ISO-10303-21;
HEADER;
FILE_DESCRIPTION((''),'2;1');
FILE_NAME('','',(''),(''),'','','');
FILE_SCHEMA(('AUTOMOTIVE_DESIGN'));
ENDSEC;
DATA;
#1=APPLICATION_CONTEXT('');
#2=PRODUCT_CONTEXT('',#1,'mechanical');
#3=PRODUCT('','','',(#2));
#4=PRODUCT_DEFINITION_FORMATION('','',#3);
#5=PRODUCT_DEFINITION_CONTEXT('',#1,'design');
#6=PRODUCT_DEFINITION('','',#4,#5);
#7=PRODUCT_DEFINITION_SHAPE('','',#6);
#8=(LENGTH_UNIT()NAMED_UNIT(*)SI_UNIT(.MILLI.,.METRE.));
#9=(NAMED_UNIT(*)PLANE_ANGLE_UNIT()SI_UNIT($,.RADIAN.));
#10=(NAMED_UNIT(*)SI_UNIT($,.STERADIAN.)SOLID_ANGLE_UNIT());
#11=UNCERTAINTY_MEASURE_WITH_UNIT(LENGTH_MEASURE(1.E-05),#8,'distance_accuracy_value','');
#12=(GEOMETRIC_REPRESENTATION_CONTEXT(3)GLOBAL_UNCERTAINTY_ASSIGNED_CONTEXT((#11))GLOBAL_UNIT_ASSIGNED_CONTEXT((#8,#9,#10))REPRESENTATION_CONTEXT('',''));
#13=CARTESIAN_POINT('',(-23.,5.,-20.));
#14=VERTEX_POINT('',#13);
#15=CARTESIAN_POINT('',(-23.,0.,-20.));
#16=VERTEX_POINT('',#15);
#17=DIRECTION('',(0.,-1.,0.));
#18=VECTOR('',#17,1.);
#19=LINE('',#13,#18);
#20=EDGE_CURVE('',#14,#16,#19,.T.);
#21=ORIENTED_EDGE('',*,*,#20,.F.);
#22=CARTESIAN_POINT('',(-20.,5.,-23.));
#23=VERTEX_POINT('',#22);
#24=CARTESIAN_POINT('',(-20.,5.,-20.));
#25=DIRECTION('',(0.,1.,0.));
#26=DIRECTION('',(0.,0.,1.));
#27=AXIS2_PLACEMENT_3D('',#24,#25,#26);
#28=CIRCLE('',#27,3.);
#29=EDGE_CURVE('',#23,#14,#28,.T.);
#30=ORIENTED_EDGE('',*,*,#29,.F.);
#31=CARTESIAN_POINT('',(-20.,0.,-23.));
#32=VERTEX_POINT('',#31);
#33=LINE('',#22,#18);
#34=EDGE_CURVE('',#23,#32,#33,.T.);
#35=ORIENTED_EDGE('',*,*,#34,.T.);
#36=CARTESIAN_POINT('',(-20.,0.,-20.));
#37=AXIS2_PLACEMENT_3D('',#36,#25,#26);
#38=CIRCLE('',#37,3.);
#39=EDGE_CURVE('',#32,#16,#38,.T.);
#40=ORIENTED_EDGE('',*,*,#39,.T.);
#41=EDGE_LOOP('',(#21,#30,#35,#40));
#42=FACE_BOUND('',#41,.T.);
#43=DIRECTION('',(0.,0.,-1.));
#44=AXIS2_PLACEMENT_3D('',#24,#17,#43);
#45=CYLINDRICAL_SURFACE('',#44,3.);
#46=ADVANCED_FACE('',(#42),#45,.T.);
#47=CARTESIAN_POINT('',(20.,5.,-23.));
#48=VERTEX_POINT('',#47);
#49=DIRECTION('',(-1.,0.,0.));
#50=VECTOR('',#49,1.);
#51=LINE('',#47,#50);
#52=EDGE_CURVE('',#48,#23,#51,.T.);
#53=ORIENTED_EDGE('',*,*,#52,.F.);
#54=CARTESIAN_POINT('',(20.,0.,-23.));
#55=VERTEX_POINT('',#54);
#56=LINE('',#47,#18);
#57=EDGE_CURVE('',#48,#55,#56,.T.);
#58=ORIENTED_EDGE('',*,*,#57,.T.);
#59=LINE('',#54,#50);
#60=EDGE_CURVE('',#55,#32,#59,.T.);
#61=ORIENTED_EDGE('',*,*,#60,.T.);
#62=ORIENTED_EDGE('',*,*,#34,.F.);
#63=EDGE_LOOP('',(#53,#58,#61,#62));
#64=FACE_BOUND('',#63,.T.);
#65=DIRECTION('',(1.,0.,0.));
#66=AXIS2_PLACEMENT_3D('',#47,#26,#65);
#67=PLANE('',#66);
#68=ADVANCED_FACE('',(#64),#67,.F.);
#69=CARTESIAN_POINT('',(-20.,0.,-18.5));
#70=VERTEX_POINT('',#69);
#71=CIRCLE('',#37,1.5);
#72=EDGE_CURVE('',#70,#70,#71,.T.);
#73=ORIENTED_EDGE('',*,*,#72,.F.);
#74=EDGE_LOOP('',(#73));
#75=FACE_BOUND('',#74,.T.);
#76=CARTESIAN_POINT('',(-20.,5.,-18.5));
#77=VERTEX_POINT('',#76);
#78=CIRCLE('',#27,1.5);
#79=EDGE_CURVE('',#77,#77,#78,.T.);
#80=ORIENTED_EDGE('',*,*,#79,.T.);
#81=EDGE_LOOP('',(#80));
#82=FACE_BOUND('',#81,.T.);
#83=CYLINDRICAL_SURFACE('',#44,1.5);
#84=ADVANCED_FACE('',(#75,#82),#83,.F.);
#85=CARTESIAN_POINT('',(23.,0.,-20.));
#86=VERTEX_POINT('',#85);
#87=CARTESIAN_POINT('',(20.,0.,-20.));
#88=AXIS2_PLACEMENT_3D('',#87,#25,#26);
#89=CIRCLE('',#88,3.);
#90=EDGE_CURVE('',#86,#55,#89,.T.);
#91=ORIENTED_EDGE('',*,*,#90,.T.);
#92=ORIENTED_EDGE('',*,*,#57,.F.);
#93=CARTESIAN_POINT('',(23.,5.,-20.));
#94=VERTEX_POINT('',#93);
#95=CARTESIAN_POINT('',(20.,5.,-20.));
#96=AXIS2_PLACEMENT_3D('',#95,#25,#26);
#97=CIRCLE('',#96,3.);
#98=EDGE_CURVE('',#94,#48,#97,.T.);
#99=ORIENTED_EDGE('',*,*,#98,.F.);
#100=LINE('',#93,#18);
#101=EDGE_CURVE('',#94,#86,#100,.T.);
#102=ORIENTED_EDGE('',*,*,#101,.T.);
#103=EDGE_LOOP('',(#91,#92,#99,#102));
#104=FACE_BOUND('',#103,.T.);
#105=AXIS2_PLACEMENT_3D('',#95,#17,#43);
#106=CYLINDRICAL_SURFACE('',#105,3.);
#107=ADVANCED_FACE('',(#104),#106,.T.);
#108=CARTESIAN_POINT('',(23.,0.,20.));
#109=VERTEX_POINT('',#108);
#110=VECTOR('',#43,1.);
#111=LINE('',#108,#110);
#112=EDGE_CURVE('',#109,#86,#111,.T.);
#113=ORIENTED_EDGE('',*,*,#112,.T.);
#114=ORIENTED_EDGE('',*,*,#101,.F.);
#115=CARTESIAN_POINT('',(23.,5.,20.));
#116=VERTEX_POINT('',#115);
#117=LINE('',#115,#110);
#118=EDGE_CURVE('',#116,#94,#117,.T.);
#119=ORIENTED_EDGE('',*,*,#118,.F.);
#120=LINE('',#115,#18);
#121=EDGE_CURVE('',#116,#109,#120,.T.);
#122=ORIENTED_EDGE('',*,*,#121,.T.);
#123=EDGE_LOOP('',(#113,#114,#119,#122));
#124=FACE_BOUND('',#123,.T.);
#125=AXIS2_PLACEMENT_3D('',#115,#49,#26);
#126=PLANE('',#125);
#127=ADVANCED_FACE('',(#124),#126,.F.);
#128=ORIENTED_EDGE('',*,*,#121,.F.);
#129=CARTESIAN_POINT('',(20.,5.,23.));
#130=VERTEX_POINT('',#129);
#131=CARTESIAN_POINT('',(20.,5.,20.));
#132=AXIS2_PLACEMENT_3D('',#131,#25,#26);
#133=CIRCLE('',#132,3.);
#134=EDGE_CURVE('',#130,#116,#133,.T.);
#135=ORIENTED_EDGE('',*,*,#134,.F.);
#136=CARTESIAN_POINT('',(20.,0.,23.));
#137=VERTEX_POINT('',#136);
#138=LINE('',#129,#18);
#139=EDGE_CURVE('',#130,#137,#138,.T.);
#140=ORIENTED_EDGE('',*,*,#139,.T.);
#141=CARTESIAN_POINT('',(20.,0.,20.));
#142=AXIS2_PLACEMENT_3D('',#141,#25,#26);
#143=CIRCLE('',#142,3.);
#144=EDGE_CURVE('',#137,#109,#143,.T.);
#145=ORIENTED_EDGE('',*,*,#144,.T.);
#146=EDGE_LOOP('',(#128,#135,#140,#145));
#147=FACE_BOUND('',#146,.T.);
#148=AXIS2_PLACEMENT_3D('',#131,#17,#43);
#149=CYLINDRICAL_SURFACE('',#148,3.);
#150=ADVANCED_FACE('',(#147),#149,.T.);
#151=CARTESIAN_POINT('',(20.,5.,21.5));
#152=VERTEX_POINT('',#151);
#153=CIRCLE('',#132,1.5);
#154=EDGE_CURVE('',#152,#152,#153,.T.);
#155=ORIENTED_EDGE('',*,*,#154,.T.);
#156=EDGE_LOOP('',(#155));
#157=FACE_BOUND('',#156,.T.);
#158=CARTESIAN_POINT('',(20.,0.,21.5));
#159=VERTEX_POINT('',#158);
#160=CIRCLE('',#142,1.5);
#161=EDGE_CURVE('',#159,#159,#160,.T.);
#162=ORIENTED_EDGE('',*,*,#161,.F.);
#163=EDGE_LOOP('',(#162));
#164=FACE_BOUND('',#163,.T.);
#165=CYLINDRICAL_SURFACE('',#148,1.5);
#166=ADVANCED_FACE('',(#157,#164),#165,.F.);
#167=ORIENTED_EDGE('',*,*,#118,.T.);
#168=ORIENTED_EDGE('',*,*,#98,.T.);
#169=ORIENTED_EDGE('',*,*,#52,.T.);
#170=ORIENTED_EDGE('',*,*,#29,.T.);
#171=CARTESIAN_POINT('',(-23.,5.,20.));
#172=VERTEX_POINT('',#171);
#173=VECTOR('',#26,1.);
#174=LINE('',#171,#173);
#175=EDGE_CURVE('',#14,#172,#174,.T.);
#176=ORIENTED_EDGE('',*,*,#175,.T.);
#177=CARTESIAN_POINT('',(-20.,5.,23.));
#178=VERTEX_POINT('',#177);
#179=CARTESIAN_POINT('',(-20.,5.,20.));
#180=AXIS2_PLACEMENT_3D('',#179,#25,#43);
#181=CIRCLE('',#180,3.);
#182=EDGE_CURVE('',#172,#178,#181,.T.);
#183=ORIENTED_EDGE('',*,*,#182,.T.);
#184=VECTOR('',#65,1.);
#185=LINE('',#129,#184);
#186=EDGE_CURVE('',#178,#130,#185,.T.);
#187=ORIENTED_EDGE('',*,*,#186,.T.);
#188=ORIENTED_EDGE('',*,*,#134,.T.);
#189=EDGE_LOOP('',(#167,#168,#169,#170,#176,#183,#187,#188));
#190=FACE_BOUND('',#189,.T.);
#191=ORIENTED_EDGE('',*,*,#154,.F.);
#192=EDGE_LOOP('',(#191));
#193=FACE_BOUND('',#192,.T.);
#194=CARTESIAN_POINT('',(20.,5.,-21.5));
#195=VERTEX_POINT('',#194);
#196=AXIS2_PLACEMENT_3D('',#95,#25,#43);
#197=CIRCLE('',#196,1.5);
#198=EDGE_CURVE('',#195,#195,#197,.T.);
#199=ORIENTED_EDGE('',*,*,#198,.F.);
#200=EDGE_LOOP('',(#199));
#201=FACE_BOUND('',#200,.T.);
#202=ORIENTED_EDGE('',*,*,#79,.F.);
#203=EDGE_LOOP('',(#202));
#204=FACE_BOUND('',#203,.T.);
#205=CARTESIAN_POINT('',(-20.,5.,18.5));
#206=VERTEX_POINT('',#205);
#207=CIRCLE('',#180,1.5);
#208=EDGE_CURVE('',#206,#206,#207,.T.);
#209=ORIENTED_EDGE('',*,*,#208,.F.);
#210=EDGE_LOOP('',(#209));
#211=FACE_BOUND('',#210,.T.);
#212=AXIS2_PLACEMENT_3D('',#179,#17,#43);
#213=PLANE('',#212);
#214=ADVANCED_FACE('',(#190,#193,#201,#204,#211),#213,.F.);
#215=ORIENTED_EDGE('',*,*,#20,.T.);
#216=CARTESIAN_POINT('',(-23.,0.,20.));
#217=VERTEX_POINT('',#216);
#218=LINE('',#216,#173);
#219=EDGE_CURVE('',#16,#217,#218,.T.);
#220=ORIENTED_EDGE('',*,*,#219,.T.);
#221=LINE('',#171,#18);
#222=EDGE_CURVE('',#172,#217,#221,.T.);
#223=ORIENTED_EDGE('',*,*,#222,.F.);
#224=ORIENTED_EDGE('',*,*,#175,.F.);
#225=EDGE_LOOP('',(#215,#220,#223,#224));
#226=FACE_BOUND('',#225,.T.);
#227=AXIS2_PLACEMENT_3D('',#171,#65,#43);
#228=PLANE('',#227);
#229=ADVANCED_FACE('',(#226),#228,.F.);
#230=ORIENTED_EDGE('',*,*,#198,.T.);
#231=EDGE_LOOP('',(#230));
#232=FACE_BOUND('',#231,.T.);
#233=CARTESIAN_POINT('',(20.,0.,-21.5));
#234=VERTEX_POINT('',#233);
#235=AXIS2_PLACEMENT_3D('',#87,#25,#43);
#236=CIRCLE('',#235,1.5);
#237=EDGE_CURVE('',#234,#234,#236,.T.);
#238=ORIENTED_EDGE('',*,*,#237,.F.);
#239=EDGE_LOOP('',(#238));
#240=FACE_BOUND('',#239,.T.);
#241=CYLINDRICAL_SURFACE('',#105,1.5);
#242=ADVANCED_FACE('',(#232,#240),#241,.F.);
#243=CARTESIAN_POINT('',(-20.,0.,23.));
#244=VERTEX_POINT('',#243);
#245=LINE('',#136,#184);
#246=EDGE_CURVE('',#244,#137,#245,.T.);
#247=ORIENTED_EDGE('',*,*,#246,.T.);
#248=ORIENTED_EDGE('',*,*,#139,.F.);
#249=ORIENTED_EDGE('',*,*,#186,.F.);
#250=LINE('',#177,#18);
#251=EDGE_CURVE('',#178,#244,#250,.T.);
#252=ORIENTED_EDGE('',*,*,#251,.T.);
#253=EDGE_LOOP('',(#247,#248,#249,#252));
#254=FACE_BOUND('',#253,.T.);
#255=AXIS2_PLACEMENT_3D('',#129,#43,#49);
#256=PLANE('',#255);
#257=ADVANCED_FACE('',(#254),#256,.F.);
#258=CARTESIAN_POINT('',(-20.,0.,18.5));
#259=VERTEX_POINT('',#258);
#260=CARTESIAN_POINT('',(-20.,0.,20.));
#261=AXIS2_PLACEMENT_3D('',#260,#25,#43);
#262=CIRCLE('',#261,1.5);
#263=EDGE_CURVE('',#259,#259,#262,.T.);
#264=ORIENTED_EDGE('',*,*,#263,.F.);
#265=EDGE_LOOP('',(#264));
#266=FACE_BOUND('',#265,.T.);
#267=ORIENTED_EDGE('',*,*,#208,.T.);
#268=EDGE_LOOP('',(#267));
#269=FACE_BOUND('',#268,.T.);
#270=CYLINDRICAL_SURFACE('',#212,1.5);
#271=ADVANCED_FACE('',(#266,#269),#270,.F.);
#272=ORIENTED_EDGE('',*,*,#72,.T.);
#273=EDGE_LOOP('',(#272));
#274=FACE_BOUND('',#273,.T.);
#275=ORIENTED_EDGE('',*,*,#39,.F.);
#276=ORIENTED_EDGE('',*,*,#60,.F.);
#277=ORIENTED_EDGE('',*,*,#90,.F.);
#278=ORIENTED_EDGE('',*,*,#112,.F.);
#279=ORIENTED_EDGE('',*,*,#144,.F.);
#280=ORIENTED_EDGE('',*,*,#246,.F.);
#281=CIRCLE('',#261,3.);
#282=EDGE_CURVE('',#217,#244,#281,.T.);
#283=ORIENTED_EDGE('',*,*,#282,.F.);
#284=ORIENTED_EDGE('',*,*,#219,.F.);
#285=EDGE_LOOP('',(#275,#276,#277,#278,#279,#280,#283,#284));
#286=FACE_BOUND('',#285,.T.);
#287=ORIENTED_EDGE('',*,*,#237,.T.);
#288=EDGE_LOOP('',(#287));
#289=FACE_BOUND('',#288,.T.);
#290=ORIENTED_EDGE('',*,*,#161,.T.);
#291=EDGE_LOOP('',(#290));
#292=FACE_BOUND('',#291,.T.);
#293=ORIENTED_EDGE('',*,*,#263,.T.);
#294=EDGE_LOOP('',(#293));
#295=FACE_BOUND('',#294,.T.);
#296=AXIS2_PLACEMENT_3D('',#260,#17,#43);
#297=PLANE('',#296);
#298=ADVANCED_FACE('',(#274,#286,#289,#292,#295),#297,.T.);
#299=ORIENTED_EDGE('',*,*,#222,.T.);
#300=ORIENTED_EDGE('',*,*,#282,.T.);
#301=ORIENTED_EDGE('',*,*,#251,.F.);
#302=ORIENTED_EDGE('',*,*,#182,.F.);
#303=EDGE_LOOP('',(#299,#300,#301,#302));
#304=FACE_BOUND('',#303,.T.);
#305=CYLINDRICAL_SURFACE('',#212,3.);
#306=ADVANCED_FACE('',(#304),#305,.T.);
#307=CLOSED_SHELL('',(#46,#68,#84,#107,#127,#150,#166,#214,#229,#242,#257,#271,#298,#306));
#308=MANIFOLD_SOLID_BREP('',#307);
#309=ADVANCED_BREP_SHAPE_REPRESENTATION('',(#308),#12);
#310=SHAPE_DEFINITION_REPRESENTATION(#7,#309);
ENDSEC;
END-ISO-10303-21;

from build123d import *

# Parameters (mm, degrees)
SKETCH1_R         = 1.5
MOUNT_PLATE_DEPTH = 5


with BuildPart() as part:
    # Sketch1 → Mount_Plate (new body)
    with BuildSketch(Plane(origin=(0, 0, 0), x_dir=(1, 0, 0), z_dir=(0, 1, 0))):
        with BuildLine():
            Line((20, -23), (-20, -23))
            ThreePointArc((-20, -23), (-22.121320344, -22.121320344), (-23, -20))
            Line((-23, -20), (-23, 20))
            ThreePointArc((-23, 20), (-22.121320344, 22.121320344), (-20, 23))
            Line((-20, 23), (20, 23))
            ThreePointArc((20, 23), (22.121320344, 22.121320344), (23, 20))
            Line((23, 20), (23, -20))
            ThreePointArc((23, -20), (22.121320344, -22.121320344), (20, -23))
        make_face()
        with Locations(Location((-20, 20, 0), (0, 0, 270))):
            Circle(SKETCH1_R, mode=Mode.SUBTRACT)
        with Locations(Location((-20, -20, 0), (0, 0, 90))):
            Circle(SKETCH1_R, mode=Mode.SUBTRACT)
        with Locations(Location((20, -20, 0), (0, 0, 270))):
            Circle(SKETCH1_R, mode=Mode.SUBTRACT)
        with Locations(Location((20, 20, 0), (0, 0, 90))):
            Circle(SKETCH1_R, mode=Mode.SUBTRACT)
    extrude(amount=MOUNT_PLATE_DEPTH)


solid = part.part
